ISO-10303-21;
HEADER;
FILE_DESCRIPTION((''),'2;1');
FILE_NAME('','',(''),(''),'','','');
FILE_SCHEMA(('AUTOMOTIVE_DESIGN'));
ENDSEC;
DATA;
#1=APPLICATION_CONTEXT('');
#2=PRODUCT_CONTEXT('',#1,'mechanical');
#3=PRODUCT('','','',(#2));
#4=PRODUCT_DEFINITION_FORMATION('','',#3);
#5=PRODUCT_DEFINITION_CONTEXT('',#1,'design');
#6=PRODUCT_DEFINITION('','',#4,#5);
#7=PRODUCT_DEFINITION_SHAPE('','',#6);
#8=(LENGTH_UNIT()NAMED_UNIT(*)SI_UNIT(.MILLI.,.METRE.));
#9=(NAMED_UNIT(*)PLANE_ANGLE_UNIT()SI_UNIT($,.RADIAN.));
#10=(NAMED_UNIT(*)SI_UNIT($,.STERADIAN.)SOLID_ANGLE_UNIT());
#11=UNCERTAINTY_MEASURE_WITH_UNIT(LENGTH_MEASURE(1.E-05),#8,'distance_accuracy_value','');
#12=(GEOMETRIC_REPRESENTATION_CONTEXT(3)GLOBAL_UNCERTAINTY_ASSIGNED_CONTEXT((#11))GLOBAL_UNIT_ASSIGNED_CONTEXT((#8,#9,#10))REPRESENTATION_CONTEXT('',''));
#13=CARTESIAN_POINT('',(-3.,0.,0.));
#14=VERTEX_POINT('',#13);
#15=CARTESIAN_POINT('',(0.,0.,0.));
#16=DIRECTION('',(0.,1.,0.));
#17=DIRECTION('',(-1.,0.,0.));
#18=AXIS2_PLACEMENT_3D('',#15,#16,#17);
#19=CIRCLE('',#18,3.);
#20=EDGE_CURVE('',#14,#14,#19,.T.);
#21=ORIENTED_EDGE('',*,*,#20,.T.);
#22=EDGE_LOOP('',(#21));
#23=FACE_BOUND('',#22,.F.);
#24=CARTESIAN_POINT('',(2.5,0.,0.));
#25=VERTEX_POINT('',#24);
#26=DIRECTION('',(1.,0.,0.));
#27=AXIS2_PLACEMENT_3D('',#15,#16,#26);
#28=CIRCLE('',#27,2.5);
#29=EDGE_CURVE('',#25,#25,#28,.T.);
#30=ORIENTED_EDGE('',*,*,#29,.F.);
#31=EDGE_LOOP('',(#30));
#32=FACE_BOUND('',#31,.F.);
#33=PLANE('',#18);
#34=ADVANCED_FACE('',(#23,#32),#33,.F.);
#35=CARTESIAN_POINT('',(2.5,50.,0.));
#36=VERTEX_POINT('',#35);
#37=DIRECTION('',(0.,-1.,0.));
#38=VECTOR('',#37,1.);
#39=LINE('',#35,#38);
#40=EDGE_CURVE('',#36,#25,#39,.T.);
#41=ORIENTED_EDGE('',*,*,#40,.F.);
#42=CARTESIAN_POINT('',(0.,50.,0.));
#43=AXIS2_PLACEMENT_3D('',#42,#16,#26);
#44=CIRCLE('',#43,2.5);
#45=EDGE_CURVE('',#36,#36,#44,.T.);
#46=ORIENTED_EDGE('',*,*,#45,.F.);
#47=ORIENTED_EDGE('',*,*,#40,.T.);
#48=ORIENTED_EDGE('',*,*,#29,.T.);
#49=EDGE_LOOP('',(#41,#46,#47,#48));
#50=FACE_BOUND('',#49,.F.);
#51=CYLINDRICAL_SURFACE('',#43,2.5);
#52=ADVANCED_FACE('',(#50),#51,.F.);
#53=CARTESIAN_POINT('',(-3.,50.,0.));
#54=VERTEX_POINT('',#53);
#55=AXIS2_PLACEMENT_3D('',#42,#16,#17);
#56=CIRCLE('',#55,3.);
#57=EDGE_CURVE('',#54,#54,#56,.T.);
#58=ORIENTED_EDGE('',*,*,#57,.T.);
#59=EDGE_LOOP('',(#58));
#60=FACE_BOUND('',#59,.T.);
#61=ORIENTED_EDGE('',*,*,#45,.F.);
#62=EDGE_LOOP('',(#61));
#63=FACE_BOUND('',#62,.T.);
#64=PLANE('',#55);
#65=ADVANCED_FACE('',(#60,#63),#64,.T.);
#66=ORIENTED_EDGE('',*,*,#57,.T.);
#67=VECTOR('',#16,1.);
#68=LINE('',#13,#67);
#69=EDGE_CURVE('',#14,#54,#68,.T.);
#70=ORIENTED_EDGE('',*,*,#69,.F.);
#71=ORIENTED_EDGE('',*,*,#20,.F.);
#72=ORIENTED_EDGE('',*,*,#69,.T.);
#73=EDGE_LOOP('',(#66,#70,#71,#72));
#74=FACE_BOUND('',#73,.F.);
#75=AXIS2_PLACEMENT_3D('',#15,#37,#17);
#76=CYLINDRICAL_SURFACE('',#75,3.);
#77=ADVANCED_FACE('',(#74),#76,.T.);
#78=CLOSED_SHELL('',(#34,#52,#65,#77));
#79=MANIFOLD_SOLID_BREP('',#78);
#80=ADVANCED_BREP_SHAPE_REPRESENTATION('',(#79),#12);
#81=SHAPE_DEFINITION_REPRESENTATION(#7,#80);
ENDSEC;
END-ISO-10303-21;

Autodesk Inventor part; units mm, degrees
ref_plane "YZ Plane" through (0, 0, 0) normal (1, 0, 0) x (0, 1, 0)
ref_plane "XZ Plane" through (0, 0, 0) normal (0, 1, 0) x (-1, 0, 0)
ref_plane "XY Plane" through (0, 0, 0) normal (0, 0, 1) x (1, 0, 0)
sketch "Sketch1" plane through (0, 0, 0) normal (0, 1, 0) x (-1, 0, 0)
  circle A0 centre (0, 0) radius 3
  dimension "d0" = 6
extrude "Extrusion1" add sketch "Sketch1" along normal blind 50
sketch "Sketch2" plane through (0, 50, 0) normal (0, 1, 0) x (1, 0, 0)
  circle A0 centre (0, 0) radius 2.5
  dimension "d3" = 5
extrude "Extrusion2" cut sketch "Sketch2" against normal blind 50
properties part number "team29_model_motor"
